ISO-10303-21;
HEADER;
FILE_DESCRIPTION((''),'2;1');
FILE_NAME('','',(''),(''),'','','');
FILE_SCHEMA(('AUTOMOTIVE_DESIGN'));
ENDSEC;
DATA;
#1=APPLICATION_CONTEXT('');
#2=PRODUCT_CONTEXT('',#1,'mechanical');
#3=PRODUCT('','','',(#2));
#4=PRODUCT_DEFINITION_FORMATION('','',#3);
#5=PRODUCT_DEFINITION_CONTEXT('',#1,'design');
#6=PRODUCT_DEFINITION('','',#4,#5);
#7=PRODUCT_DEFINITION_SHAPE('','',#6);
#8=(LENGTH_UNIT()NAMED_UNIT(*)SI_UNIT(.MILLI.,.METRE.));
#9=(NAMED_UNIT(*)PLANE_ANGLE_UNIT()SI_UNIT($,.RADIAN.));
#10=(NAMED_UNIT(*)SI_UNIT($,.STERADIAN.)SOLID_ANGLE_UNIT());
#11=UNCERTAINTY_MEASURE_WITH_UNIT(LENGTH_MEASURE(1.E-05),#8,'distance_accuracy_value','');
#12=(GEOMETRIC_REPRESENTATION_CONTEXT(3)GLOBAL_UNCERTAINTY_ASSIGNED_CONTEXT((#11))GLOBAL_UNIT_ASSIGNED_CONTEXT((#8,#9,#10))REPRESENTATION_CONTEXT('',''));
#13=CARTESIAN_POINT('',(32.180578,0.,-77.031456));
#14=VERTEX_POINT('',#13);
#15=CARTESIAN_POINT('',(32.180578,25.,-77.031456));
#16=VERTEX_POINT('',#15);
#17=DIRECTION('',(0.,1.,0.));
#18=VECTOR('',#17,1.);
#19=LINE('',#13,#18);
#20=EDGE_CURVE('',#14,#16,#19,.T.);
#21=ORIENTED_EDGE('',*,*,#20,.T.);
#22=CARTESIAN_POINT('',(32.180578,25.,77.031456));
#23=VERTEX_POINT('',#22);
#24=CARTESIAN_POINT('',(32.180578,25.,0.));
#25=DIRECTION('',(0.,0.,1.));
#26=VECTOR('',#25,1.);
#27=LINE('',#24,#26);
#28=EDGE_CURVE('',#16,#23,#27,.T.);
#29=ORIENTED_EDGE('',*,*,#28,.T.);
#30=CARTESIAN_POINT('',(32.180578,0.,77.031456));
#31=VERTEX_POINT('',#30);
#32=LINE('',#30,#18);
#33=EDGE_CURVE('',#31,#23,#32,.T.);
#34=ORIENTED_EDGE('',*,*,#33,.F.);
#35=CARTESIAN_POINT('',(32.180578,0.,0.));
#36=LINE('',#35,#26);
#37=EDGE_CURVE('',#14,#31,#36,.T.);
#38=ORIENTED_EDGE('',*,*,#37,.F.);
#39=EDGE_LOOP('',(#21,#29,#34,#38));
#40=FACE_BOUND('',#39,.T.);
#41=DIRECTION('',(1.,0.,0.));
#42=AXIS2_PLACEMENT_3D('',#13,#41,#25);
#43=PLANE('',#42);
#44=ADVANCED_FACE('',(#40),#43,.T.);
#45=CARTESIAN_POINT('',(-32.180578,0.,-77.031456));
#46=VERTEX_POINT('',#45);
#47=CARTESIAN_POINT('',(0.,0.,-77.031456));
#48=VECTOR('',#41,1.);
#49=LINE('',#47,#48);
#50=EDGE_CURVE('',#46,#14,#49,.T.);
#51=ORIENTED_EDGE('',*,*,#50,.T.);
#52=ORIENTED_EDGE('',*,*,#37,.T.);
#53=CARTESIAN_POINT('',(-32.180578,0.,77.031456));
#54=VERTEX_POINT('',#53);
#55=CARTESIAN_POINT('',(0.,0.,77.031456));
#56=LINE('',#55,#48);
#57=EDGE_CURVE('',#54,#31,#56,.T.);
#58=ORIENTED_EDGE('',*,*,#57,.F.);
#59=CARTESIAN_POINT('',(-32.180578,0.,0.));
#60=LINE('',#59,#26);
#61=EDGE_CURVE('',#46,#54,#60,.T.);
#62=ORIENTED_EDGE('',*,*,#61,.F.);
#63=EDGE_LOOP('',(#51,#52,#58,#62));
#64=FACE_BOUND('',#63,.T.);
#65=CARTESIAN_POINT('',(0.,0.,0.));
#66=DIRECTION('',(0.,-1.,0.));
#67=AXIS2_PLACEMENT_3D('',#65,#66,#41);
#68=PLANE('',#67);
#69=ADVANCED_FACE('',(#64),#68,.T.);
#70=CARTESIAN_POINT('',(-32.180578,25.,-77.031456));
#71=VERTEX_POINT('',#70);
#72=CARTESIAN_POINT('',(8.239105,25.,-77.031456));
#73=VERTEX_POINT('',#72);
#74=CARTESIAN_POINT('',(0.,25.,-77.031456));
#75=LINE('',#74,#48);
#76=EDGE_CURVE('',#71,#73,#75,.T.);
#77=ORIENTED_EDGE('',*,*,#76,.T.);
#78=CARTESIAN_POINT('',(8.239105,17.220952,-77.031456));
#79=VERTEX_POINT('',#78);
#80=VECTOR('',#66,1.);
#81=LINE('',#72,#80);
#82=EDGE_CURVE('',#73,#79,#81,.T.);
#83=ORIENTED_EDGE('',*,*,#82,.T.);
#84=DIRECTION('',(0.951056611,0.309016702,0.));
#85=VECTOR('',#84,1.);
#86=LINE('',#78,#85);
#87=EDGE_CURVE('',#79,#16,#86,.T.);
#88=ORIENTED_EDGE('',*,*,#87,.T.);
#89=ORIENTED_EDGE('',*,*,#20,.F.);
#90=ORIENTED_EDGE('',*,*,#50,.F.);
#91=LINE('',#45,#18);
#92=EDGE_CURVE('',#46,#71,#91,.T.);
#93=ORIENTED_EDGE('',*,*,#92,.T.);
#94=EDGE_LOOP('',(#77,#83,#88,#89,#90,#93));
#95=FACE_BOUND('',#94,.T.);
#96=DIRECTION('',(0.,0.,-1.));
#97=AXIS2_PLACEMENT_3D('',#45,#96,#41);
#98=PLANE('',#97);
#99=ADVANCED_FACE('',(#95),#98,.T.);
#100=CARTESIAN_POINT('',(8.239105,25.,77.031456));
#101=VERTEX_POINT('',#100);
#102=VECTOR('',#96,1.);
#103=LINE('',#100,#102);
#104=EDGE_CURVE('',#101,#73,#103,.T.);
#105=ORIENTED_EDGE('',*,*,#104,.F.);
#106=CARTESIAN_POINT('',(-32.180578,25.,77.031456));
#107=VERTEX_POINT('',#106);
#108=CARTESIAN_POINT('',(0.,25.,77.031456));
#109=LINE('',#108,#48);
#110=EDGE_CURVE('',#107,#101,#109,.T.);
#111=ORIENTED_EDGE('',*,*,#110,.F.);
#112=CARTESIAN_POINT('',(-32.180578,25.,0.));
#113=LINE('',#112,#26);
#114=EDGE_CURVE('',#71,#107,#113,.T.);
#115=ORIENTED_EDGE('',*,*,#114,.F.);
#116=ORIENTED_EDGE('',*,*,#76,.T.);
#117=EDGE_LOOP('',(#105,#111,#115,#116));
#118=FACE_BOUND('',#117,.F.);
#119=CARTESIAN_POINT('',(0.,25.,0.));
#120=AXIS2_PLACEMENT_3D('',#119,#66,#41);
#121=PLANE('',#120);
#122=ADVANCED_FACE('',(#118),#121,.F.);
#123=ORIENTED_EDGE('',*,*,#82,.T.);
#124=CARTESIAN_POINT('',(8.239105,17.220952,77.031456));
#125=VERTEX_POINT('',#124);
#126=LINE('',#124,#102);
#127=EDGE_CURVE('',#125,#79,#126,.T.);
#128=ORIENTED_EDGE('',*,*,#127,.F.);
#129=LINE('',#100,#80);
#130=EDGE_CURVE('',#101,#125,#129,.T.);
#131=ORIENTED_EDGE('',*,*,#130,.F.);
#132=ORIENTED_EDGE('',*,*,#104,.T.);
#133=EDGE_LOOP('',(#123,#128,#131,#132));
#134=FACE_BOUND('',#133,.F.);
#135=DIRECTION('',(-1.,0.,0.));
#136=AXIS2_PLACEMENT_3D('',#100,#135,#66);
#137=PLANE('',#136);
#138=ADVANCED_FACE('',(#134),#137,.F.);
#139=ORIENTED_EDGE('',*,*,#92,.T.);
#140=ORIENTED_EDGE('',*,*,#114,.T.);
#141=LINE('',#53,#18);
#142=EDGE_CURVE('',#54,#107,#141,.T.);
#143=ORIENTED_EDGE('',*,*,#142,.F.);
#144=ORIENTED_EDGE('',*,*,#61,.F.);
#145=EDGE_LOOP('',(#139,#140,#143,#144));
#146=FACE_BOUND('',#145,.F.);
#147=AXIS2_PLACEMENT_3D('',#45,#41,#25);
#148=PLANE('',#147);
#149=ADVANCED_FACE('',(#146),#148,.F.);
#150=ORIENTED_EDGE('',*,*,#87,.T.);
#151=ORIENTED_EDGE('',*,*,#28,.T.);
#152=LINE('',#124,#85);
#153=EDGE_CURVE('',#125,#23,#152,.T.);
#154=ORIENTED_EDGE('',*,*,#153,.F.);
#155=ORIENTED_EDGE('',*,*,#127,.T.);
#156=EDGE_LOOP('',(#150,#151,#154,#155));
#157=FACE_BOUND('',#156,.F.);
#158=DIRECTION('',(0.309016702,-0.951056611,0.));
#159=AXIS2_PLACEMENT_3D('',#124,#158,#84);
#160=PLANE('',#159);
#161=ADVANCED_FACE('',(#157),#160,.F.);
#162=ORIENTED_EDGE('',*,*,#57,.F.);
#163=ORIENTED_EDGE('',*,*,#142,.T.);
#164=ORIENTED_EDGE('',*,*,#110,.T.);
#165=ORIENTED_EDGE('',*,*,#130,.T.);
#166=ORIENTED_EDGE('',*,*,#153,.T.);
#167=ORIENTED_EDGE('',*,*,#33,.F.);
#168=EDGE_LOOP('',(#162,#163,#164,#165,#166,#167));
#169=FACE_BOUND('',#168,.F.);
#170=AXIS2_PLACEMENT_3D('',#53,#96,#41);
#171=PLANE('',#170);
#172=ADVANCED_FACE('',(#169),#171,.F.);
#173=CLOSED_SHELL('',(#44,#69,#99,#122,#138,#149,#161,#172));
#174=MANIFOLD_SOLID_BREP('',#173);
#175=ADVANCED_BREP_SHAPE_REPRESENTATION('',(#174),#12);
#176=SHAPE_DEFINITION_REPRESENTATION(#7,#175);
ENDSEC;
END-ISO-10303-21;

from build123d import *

# Parameters (mm, degrees)
F0_W     = 64.361156
F0_H     = 154.062912
F1_DEPTH = 25
F3_DEPTH = 154.062912


with BuildPart() as f1:
    # F0 (on Front) → F1 (new body)
    with BuildSketch(Plane.XZ):
        Rectangle(F0_W, F0_H)
    extrude(amount=-F1_DEPTH)

    # F2 (on face) → F3 (cut, through all)
    with BuildSketch(Plane.XY.offset(77.031456)):
        Polygon((8.239105, 17.220952), (32.180578, 25), (8.239105, 25), align=None)
    extrude(amount=-F3_DEPTH, mode=Mode.SUBTRACT)


solid = f1.part
